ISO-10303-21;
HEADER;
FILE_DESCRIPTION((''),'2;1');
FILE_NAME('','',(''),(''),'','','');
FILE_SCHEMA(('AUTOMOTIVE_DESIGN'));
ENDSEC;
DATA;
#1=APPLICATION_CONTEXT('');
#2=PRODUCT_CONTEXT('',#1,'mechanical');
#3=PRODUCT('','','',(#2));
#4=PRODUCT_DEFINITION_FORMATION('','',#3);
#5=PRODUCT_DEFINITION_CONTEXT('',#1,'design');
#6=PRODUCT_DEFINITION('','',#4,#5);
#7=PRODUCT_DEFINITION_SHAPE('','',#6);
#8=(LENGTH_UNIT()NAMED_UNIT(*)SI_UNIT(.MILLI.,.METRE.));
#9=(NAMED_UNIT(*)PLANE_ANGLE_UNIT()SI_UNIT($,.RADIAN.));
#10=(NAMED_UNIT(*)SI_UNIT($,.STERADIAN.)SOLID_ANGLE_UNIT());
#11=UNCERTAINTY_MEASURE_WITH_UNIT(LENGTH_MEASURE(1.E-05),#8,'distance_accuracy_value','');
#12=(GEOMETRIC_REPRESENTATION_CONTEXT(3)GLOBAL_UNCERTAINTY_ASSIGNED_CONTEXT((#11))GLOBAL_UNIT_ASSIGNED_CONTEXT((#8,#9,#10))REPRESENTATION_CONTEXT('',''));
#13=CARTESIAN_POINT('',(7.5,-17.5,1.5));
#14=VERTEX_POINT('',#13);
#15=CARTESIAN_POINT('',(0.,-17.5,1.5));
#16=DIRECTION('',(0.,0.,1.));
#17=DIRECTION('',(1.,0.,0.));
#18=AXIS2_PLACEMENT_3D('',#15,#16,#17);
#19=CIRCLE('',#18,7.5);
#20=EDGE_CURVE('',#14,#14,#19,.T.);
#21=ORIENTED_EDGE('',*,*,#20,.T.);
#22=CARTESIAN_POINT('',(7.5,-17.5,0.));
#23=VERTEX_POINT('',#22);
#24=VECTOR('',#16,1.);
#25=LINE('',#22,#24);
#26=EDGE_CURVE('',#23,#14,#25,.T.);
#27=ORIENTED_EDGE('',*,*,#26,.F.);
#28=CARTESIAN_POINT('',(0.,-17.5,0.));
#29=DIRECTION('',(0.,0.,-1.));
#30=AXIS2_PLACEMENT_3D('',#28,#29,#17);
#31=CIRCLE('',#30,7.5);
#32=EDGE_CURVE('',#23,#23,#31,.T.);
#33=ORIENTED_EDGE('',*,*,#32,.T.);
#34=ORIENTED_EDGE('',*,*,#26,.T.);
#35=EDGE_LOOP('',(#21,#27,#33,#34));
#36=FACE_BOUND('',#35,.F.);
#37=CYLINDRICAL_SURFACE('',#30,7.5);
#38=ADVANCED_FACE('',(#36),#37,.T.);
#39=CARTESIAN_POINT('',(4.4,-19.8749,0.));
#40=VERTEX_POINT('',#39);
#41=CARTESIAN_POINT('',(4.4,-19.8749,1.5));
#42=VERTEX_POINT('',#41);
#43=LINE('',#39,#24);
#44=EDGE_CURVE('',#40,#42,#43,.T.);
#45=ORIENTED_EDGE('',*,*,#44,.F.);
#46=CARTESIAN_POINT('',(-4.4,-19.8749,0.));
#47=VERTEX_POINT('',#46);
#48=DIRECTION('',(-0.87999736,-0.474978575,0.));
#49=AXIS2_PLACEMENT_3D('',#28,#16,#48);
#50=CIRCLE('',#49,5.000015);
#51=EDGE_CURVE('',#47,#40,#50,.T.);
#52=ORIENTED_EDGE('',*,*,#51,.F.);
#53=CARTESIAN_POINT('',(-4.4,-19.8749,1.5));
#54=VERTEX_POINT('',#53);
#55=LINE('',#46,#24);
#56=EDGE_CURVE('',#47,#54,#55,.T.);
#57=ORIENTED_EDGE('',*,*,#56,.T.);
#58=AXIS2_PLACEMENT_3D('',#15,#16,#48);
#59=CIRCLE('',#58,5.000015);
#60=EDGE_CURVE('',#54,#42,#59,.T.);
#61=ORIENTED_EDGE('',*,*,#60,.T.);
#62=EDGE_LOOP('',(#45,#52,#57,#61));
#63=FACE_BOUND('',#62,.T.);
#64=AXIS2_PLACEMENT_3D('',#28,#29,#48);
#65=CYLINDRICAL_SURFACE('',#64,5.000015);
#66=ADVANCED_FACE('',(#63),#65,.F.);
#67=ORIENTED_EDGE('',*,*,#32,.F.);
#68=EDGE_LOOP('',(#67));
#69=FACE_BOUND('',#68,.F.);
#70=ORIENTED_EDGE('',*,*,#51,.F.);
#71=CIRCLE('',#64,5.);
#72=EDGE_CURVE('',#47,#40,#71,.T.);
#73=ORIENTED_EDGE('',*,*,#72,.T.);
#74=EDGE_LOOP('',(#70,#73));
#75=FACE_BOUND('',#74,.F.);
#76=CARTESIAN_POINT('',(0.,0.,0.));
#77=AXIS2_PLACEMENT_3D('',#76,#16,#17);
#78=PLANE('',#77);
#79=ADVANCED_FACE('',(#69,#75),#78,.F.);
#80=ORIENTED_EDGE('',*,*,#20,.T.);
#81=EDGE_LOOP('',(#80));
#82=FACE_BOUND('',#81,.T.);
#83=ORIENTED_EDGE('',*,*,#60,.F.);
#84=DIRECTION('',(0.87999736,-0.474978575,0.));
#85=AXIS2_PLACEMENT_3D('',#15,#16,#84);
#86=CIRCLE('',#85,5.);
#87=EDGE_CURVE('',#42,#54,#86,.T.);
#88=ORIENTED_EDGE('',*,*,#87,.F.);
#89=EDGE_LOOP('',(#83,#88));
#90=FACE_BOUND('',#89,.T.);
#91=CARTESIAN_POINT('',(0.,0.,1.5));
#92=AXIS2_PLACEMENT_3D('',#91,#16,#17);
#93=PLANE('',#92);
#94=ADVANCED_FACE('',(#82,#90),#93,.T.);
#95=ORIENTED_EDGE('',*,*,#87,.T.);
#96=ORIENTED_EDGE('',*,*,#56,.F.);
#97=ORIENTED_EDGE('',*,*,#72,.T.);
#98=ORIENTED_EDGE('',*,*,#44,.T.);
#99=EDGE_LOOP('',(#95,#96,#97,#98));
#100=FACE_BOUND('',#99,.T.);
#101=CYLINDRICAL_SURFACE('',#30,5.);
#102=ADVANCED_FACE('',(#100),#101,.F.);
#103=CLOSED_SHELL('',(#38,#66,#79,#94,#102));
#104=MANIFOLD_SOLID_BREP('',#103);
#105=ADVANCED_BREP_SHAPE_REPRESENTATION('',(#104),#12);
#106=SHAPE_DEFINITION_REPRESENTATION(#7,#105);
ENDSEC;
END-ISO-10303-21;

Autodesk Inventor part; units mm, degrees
ref_plane "YZ Plane" through (0, 0, 0) normal (1, 0, 0) x (0, 1, 0)
ref_plane "XZ Plane" through (0, 0, 0) normal (0, 1, 0) x (-1, 0, 0)
ref_plane "XY Plane" through (0, 0, 0) normal (0, 0, 1) x (1, 0, 0)
ref_plane "작업 평면1" through (0, 0, 0) normal (0, 0, 1) x (1, 0, 0)
sketch "스케치1" plane through (0, 0, 0) normal (0, 0, 1) x (1, 0, 0)
  circle A0 centre (-3, -27.5) radius 1.35 projected
  circle A1 centre (3, -27.5) radius 1.35 projected
  line L0 (4.4, -3.4094) -> (4.4, -19.8749) projected
  arc A2 (-4.4, -19.8749) -> (4.4, -19.8749) centre (0, -17.5) ccw projected
  line L1 (-4.4, -19.8749) -> (-4.4, -3.4094) projected
  arc A3 (4.4, -3.4094) -> (-4.4, -3.4094) centre (0, -5.7843) ccw projected
  circle A4 centre (0, 22.5) radius 4 projected
  arc A5 (-2.7698, 16.0713) -> (2.7698, 16.0713) centre (0, 22.5) ccw projected
  arc A6 (5.5454, 14.4845) -> (2.7698, 16.0713) centre (3.5611, 14.2345) ccw projected
  line L2 (5.5454, 14.4845) -> (6.9428, 3.3933) projected
  arc A7 (3.9674, 1.4062) -> (6.9428, 3.3933) centre (4.9585, 3.1433) ccw projected
  arc A8 (3.9674, 1.4062) -> (-3.9674, 1.4062) centre (0, -5.5476) ccw projected
  arc A9 (-6.9428, 3.3933) -> (-3.9674, 1.4062) centre (-4.9585, 3.1433) ccw projected
  line L3 (-6.9428, 3.3933) -> (-5.5454, 14.4845) projected
  arc A10 (-2.7698, 16.0713) -> (-5.5454, 14.4845) centre (-3.5611, 14.2345) ccw projected
  arc A11 (-12.5, -19.9495) -> (-9.6429, -26.948) centre (-2.5, -19.9495) ccw projected
  arc A12 (-9.6429, -26.948) -> (9.6429, -26.948) centre (0, -17.5) ccw projected
  arc A13 (9.6429, -26.948) -> (12.5, -19.9495) centre (2.5, -19.9495) ccw projected
  line L4 (12.5, -19.9495) -> (12.5, -17.5) projected
  arc A14 (12.5, -17.5) -> (12.402, -15.9375) centre (0, -17.5) ccw projected
  line L5 (7.4412, 23.4375) -> (12.402, -15.9375) projected
  arc A15 (7.4412, 23.4375) -> (-7.4412, 23.4375) centre (0, 22.5) ccw projected
  line L6 (-12.402, -15.9375) -> (-7.4412, 23.4375) projected
  arc A16 (-12.402, -15.9375) -> (-12.5, -17.5) centre (0, -17.5) ccw projected
  line L7 (-12.5, -17.5) -> (-12.5, -19.9495) projected
  circle A17 centre (0, -17.5) radius 3 projected
  line L8 (-4.4, -16.5566) -> (-4.4, -18.4434) projected
  arc A18 (-4.4, -18.4434) -> (4.4, -18.4434) centre (0, -17.5) ccw projected
  line L9 (4.4, -18.4434) -> (4.4, -16.5566) projected
  arc A19 (4.4, -16.5566) -> (-4.4, -16.5566) centre (0, -17.5) ccw projected
  circle A20 centre (0, -17.5) radius 5
  circle A21 centre (0, -17.5) radius 7.5
  point P0 (0, 0)
  dimension "d0" = 10
  dimension "d1" = 15
extrude "돌출1" add sketch "스케치1" along normal blind 1.5 contours A20 L1 A21 L0 | L0 A21 L1 A20 A2
properties part number "Ubber_Washer_1.5mm" material "고무, 실리콘"
